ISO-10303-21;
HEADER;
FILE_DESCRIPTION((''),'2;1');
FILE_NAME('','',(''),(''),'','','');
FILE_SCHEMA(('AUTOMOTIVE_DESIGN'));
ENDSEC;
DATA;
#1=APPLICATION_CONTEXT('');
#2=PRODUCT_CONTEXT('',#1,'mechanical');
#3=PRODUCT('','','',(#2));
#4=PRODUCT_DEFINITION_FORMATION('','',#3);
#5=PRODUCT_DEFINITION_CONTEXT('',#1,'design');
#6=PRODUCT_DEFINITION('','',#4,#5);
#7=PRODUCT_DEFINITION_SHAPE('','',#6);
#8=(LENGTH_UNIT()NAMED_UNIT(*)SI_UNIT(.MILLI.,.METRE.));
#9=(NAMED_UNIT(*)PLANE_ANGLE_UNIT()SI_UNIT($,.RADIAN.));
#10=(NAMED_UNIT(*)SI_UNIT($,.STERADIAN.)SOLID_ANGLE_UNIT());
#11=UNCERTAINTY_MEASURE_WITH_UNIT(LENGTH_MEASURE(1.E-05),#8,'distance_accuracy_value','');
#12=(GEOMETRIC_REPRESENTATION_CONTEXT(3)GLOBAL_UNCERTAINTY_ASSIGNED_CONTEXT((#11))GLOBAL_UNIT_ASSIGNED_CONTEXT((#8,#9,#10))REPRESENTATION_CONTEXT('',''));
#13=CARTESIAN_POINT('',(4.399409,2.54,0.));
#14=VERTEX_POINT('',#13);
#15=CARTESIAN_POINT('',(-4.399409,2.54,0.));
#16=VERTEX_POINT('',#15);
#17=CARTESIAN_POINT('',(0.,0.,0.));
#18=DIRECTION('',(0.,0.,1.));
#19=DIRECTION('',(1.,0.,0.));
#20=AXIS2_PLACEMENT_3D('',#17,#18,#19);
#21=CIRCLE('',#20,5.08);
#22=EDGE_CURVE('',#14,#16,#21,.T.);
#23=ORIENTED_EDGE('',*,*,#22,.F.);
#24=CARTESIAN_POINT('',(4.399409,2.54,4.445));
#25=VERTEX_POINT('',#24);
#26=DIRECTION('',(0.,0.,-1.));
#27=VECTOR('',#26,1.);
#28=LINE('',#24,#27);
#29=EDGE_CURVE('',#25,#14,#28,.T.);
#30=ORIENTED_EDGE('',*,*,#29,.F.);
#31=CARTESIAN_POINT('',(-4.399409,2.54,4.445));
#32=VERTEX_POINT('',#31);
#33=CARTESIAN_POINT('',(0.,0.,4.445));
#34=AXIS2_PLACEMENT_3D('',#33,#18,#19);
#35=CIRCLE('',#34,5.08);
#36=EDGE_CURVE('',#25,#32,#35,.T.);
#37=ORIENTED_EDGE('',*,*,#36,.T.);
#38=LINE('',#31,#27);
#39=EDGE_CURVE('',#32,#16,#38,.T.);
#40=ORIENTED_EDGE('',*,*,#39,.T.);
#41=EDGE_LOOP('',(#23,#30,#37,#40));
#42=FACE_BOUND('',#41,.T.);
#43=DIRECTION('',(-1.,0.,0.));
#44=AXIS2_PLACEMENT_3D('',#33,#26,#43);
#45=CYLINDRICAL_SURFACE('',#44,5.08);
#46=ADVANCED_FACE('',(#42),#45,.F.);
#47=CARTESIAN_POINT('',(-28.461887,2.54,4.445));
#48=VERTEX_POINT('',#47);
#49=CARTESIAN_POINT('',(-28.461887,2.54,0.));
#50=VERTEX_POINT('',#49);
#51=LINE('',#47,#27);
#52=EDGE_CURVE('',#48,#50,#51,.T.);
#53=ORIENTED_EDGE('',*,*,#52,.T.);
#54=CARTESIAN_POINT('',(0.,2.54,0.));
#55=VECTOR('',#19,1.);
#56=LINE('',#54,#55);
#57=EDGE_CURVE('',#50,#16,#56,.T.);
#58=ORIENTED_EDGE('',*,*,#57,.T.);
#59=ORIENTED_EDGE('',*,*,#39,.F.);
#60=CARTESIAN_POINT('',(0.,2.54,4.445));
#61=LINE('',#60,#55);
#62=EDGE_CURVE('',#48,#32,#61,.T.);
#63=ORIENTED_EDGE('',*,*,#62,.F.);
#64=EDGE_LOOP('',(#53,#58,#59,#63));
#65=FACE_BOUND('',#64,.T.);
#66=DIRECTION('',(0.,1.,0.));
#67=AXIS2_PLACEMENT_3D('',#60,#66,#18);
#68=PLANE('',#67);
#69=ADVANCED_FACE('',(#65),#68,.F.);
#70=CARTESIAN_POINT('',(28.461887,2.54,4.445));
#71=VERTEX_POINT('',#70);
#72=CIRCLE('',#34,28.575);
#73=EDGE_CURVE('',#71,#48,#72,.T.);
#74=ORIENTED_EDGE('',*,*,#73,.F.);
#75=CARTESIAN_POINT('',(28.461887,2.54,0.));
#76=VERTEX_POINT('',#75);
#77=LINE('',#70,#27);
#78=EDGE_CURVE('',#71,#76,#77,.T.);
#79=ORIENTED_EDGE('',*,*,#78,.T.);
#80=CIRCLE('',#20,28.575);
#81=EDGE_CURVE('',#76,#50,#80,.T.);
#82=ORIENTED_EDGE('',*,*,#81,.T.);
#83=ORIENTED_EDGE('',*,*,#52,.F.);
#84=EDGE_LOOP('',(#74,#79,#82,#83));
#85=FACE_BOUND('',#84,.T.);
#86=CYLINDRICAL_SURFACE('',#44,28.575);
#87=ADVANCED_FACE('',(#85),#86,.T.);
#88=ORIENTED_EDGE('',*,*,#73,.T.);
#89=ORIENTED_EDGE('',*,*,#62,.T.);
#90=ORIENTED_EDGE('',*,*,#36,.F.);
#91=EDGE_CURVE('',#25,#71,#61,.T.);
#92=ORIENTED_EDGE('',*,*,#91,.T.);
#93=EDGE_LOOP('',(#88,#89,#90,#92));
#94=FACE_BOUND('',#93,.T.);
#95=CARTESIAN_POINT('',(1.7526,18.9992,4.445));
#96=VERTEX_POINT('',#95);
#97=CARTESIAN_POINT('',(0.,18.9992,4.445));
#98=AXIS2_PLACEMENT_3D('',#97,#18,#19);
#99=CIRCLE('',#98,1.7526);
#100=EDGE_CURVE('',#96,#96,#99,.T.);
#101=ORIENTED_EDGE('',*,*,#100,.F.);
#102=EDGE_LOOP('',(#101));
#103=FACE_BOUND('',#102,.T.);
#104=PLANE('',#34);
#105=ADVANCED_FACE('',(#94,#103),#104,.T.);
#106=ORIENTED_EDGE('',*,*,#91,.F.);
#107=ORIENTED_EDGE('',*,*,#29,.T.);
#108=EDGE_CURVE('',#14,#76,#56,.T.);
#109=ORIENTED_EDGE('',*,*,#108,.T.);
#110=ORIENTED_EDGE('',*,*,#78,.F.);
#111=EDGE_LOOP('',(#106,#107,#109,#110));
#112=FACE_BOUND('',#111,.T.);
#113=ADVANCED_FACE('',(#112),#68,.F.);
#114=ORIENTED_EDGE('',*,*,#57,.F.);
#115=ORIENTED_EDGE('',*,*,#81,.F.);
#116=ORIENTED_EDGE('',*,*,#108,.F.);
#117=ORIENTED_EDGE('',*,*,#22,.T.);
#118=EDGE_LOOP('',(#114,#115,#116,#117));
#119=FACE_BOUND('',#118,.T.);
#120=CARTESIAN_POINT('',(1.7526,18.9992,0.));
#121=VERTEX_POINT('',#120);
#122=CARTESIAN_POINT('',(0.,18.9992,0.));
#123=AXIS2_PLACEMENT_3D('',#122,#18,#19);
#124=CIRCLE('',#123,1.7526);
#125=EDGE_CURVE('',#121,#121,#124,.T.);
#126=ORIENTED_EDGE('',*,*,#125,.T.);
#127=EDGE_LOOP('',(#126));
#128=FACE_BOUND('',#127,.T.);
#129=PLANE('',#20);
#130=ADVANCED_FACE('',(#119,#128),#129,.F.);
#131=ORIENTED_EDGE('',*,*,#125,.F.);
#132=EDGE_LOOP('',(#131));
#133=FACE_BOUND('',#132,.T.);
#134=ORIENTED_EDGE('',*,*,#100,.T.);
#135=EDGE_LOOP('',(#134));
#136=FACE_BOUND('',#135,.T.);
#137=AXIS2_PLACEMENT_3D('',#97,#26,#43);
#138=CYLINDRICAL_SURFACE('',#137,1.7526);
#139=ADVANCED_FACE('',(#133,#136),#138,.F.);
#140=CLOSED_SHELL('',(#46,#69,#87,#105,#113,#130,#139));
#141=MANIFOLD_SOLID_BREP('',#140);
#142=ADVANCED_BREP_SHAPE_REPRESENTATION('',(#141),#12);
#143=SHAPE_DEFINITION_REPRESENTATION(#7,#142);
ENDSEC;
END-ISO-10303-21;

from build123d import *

# Parameters (mm, degrees)
SKETCH1_R           = 1.7526
BOSS_EXTRUDE1_DEPTH = 4.445


with BuildPart() as part:
    # Sketch1 → Boss-Extrude1 (new body)
    with BuildSketch(Plane.XY):
        with BuildLine():
            ThreePointArc((28.461887235, 2.54), (0, 28.575), (-28.461887235, 2.54))
            Line((-28.461887235, 2.54), (-4.399409051, 2.54))
            ThreePointArc((-4.399409051, 2.54), (0, 5.08), (4.399409051, 2.54))
            Line((4.399409051, 2.54), (28.461887235, 2.54))
        make_face()
        with Locations((0, 18.9992)):
            Circle(SKETCH1_R, mode=Mode.SUBTRACT)
    extrude(amount=BOSS_EXTRUDE1_DEPTH)


solid = part.part
